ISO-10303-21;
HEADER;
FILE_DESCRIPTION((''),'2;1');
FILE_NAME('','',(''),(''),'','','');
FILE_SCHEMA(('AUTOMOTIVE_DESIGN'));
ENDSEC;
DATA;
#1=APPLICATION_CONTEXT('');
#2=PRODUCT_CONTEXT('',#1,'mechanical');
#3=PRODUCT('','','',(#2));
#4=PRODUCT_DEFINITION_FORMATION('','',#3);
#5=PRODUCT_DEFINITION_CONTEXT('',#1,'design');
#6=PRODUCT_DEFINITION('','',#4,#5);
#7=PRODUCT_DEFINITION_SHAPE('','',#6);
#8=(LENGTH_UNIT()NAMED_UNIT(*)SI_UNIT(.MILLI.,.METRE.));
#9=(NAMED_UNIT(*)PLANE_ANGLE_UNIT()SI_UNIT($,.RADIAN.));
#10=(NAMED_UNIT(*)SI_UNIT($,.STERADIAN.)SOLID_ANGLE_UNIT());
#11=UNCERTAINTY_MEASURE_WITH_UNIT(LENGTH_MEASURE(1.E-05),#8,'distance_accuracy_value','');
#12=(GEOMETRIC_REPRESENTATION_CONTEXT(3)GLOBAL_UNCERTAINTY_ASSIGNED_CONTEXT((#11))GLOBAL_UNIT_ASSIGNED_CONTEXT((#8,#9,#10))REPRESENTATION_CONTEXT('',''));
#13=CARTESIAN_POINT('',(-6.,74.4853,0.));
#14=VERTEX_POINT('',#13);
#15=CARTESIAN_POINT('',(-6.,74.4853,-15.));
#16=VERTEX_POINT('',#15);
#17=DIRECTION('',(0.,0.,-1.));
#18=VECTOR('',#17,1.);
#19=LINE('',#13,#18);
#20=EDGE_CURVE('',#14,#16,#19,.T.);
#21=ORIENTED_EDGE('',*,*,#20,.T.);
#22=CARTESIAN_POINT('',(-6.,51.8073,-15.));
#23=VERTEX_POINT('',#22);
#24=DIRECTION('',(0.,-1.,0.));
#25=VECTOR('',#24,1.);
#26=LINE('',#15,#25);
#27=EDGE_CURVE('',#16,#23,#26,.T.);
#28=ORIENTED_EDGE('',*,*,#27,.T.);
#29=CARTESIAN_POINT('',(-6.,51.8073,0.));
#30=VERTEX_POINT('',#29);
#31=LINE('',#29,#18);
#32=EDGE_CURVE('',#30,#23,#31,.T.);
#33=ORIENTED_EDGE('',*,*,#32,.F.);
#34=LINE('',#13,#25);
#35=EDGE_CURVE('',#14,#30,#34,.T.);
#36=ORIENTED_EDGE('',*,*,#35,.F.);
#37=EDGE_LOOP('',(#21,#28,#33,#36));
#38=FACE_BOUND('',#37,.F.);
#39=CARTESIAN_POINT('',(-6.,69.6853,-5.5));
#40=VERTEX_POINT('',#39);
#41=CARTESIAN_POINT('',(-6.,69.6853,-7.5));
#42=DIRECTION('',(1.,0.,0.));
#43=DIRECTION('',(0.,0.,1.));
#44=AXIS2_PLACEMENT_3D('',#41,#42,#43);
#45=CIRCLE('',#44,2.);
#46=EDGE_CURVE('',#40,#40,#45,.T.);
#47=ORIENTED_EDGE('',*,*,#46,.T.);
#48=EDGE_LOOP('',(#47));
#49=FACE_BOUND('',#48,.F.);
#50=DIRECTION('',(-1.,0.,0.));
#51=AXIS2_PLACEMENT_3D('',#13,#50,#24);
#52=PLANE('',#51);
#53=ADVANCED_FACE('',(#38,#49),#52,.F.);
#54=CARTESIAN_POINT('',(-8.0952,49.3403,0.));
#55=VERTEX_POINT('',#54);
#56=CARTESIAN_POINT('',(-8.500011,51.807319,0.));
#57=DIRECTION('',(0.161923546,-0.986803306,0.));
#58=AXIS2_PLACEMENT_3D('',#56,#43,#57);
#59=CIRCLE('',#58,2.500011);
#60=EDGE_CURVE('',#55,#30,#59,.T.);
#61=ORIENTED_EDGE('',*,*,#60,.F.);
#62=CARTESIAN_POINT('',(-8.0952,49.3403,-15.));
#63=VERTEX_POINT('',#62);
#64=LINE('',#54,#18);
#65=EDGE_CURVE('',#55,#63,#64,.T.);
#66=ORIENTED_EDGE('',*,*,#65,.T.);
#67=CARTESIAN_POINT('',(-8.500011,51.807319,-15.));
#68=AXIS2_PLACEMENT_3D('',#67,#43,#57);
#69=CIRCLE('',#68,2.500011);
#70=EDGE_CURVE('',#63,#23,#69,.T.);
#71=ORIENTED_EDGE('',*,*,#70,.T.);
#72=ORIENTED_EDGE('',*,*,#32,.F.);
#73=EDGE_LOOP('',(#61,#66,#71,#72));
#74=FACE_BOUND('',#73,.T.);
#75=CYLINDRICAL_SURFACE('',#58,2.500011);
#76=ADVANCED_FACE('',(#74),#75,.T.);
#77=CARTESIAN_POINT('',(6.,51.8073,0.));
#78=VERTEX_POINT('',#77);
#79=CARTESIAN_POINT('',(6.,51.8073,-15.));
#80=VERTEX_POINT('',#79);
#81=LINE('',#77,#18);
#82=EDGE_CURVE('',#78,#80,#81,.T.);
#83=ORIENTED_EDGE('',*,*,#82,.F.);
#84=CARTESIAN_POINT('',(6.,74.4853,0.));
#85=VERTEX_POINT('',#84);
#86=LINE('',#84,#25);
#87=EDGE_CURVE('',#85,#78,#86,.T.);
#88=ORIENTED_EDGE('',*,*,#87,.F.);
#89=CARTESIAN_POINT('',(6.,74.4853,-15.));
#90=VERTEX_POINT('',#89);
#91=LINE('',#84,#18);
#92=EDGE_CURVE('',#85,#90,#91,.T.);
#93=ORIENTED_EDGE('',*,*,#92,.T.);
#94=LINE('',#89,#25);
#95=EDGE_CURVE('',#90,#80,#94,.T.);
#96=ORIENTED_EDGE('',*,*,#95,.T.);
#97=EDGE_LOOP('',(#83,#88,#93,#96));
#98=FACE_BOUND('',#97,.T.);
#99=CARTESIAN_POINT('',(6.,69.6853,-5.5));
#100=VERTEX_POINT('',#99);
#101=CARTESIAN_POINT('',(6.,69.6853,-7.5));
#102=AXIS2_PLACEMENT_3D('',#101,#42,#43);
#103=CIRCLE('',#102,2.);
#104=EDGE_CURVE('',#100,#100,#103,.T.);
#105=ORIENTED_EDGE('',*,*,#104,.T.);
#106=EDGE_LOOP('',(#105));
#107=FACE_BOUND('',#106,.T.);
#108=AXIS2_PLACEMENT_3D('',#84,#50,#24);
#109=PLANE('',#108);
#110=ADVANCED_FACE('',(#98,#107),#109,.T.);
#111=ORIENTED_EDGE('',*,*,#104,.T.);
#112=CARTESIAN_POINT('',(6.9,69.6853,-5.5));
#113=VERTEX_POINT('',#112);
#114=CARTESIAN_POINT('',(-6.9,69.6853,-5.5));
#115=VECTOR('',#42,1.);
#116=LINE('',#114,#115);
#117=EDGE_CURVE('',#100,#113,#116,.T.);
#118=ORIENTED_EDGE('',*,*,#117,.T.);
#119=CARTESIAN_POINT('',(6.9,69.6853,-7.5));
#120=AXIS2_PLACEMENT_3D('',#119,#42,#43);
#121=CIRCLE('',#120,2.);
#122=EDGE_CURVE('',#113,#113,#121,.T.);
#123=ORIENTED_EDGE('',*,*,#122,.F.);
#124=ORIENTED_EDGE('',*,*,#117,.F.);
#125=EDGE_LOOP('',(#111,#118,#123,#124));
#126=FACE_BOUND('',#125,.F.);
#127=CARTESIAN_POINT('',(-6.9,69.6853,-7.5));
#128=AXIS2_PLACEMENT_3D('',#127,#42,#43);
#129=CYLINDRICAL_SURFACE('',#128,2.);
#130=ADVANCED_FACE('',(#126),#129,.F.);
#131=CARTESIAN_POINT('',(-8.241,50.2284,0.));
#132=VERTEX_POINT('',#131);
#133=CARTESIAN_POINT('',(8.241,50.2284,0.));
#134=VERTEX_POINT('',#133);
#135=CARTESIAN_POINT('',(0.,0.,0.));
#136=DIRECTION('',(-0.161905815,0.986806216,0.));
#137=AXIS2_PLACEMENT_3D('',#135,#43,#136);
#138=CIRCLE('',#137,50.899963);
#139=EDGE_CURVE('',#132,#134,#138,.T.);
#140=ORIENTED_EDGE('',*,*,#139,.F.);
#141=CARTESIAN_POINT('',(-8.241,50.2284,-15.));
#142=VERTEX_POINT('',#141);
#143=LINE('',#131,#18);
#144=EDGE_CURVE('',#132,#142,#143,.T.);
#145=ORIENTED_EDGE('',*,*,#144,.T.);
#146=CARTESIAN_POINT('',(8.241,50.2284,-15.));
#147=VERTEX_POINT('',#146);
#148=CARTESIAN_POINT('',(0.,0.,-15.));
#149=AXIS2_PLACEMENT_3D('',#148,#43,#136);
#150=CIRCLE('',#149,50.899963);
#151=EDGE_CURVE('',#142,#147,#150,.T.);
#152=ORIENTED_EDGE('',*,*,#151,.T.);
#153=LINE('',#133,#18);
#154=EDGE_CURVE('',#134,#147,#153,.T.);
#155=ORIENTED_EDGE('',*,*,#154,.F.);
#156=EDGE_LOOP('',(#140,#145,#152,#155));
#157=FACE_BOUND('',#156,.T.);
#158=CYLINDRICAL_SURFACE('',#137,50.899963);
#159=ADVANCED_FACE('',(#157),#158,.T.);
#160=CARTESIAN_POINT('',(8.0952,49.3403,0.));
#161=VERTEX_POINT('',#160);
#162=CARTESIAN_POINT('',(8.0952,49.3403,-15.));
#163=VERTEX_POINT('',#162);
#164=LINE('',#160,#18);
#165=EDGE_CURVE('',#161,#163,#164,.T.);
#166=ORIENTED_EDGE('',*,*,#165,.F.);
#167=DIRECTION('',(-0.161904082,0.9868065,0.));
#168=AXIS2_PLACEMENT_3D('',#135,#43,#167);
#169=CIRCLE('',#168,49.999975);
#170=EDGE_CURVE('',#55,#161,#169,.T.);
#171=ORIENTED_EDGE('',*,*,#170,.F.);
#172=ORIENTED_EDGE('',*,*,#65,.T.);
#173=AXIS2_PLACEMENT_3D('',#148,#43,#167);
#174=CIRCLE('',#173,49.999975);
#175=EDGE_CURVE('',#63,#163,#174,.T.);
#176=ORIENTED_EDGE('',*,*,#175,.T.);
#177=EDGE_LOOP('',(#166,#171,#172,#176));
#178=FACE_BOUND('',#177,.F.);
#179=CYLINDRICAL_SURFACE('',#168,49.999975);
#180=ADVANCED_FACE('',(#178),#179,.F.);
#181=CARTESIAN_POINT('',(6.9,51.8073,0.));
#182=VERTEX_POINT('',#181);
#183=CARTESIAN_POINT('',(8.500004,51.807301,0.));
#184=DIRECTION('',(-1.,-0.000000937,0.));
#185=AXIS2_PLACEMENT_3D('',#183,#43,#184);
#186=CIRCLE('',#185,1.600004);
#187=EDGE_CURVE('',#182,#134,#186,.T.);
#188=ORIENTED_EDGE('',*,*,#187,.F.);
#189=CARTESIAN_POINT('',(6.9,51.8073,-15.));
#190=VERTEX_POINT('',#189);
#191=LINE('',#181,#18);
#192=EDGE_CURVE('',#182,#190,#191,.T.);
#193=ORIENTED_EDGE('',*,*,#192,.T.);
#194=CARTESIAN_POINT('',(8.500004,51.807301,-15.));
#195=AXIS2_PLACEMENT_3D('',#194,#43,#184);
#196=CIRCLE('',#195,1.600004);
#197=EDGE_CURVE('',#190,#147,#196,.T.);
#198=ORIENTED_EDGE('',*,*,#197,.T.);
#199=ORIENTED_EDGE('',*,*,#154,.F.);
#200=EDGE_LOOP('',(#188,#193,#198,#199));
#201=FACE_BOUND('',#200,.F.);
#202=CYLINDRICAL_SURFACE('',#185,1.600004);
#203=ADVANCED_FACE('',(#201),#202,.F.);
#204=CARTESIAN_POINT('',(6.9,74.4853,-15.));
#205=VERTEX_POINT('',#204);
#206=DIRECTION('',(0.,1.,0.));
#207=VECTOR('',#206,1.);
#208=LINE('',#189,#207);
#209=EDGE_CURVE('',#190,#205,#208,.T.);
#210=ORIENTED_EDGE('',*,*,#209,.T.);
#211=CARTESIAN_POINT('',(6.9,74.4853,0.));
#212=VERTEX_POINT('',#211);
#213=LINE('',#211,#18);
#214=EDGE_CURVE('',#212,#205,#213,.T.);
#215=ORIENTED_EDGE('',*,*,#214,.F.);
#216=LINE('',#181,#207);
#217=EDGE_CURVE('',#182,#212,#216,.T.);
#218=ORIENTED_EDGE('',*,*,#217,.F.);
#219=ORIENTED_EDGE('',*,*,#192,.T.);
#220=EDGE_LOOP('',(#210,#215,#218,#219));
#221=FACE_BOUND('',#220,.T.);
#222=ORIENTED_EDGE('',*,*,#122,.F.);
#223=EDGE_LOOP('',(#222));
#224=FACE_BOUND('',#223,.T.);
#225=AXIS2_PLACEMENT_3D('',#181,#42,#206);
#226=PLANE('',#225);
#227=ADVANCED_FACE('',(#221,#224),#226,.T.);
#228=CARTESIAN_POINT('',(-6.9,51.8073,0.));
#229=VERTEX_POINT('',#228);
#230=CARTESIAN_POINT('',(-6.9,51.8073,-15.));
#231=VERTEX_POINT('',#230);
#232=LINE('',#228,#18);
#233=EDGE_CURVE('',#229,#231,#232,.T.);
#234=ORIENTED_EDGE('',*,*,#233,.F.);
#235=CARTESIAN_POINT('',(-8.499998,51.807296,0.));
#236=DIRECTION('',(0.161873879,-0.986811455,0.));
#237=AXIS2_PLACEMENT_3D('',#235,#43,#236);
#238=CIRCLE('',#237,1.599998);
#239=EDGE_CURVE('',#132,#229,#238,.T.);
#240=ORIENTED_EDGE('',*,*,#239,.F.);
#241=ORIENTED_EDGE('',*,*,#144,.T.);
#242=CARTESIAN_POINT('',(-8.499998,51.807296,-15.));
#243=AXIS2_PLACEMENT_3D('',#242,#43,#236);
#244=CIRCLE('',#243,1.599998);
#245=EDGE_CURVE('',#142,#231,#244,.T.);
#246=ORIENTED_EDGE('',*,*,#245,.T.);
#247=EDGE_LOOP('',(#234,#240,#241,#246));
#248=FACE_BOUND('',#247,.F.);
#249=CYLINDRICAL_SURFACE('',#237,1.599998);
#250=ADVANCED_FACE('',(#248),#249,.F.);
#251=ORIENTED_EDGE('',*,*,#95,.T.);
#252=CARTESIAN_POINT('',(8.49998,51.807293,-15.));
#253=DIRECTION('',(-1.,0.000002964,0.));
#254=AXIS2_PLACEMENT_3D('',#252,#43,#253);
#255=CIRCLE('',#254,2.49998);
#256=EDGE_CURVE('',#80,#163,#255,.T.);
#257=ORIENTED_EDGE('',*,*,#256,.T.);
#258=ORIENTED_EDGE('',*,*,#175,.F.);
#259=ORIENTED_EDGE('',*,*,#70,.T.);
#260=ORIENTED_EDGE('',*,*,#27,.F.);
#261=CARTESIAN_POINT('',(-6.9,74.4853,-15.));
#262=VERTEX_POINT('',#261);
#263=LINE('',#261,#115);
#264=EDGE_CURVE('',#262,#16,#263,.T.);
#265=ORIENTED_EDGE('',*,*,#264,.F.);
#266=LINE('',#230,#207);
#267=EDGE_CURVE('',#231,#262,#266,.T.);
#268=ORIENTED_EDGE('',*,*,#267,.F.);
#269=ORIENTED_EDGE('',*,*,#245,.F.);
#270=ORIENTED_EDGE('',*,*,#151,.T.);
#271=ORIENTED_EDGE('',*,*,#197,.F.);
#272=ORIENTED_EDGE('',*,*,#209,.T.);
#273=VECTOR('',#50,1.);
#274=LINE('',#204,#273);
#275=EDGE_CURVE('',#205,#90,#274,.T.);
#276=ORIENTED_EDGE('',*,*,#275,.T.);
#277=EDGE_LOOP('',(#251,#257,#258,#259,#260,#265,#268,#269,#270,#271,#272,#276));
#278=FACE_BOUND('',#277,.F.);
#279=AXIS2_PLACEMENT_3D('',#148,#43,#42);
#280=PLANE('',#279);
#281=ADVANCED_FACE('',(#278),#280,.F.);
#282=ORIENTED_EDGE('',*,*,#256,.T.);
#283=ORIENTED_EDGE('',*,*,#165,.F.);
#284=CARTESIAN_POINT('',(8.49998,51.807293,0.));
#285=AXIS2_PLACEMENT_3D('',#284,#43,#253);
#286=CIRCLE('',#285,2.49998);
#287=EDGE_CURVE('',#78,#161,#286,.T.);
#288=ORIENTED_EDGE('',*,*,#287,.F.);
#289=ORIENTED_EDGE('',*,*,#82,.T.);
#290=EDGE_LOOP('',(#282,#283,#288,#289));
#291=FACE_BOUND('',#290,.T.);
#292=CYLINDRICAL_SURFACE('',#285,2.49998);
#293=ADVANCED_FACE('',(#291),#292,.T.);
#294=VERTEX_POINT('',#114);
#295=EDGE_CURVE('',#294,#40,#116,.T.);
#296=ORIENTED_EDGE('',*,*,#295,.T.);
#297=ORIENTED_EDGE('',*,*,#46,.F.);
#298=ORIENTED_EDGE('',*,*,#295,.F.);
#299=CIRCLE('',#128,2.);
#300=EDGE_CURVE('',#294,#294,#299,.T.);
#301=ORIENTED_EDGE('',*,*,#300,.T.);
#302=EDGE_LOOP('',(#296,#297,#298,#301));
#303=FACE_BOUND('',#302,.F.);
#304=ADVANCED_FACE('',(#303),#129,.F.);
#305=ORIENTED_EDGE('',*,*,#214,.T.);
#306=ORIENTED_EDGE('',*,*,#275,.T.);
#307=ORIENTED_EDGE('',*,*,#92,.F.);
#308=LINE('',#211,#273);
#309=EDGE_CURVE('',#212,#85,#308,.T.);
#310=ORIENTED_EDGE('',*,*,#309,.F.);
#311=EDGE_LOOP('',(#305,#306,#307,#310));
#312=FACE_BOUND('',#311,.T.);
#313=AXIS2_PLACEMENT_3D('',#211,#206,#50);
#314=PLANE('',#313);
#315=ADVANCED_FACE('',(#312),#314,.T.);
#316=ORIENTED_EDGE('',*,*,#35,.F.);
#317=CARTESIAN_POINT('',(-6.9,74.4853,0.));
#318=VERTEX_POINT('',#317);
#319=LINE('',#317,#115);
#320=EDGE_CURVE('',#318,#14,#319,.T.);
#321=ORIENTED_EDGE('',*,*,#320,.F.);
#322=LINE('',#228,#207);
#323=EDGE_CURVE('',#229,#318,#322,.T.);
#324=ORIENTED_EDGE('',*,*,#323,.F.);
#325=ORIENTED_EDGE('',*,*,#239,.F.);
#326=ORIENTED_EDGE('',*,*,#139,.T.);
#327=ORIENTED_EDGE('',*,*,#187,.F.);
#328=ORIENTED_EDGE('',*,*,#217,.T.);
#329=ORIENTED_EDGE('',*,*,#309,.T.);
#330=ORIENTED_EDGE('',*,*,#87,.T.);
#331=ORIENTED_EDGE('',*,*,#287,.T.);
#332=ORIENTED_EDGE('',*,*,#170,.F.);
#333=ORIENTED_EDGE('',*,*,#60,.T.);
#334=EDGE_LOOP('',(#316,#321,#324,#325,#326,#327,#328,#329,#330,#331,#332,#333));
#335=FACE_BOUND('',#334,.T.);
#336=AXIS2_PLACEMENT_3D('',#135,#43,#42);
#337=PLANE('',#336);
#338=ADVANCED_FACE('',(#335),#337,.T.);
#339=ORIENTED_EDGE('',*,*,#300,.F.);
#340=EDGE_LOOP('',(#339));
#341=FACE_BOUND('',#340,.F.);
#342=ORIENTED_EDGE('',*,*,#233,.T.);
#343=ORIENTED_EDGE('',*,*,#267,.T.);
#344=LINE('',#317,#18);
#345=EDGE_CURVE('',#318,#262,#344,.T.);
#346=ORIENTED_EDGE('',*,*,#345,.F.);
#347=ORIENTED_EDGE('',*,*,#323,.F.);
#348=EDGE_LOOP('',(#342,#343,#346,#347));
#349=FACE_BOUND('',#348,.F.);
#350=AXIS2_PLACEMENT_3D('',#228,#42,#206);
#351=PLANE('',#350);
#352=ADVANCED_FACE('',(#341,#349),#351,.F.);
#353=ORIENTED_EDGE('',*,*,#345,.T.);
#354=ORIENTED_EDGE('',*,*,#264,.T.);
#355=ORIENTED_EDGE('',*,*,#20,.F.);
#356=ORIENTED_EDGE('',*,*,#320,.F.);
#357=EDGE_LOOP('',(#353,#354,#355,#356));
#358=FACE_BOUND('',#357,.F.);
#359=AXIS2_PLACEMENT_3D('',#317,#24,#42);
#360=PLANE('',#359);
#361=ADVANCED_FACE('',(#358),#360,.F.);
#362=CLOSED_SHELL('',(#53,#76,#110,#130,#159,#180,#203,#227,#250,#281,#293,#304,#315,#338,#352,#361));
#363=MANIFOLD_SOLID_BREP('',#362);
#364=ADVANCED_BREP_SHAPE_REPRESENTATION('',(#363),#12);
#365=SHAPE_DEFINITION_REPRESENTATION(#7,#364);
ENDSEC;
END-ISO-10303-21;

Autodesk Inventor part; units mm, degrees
ref_plane "YZ Plane" through (0, 0, 0) normal (1, 0, 0) x (0, 1, 0)
ref_plane "XZ Plane" through (0, 0, 0) normal (0, 1, 0) x (-1, 0, 0)
ref_plane "XY Plane" through (0, 0, 0) normal (0, 0, 1) x (1, 0, 0)
sketch "Sketch1" plane through (0, 0, 0) normal (0, 0, 1) x (1, 0, 0)
  line L0 (0, 0) -> (0, 19.8871) construction
  arc A0 (-8.0952, 49.3403) -> (8.0952, 49.3403) centre (0, 0) ccw
  arc A1 (-8.241, 50.2284) -> (8.241, 50.2284) centre (0, 0) ccw
  line L1 (-6, 74.4853) -> (-6, 51.8073)
  arc A2 (-8.0952, 49.3403) -> (-6, 51.8073) centre (-8.5, 51.8073) ccw
  arc A3 (-8.241, 50.2284) -> (-6.9, 51.8073) centre (-8.5, 51.8073) ccw
  line L2 (-6.9, 51.8073) -> (-6.9, 74.4853)
  line L3 (-6.9, 74.4853) -> (-6, 74.4853)
  line L4 (6, 74.4853) -> (6, 51.8073)
  arc A4 (6, 51.8073) -> (8.0952, 49.3403) centre (8.5, 51.8073) ccw
  arc A5 (6.9, 51.8073) -> (8.241, 50.2284) centre (8.5, 51.8073) ccw
  line L5 (6.9, 51.8073) -> (6.9, 74.4853)
  line L6 (6.9, 74.4853) -> (6, 74.4853)
  point P0 (-6.455, 50.3692)
  point P1 (6.455, 50.3692)
  dimension "d32" = 5
  dimension "d33" = 6
  dimension "d34" = 0.9
  dimension "d44" = 50
  dimension "d45" = 50.9
  dimension "d46" = 22.678
extrude "Extrusion1" add sketch "Sketch1" against normal blind 15
sketch "Sketch2" plane through (-6.9, 51.8073, 0) normal (-1, 0, 0) x (0, 0, 1)
  line L0 (0, 22.678) -> (-15, 22.678) projected
  line L1 (0, 22.678) -> (0, 0) projected
  point P0 (0, -51.8073)
  point P1 (-7.5, 17.878)
  dimension "d35" = 4.8
  dimension "d43" = 7.5
hole "Hole1" at (-6.9, 69.6853, -7.5) direction (1, 0, 0) diameter 4 depth 25 tip angle 137
properties part number "Banda de montaje"
